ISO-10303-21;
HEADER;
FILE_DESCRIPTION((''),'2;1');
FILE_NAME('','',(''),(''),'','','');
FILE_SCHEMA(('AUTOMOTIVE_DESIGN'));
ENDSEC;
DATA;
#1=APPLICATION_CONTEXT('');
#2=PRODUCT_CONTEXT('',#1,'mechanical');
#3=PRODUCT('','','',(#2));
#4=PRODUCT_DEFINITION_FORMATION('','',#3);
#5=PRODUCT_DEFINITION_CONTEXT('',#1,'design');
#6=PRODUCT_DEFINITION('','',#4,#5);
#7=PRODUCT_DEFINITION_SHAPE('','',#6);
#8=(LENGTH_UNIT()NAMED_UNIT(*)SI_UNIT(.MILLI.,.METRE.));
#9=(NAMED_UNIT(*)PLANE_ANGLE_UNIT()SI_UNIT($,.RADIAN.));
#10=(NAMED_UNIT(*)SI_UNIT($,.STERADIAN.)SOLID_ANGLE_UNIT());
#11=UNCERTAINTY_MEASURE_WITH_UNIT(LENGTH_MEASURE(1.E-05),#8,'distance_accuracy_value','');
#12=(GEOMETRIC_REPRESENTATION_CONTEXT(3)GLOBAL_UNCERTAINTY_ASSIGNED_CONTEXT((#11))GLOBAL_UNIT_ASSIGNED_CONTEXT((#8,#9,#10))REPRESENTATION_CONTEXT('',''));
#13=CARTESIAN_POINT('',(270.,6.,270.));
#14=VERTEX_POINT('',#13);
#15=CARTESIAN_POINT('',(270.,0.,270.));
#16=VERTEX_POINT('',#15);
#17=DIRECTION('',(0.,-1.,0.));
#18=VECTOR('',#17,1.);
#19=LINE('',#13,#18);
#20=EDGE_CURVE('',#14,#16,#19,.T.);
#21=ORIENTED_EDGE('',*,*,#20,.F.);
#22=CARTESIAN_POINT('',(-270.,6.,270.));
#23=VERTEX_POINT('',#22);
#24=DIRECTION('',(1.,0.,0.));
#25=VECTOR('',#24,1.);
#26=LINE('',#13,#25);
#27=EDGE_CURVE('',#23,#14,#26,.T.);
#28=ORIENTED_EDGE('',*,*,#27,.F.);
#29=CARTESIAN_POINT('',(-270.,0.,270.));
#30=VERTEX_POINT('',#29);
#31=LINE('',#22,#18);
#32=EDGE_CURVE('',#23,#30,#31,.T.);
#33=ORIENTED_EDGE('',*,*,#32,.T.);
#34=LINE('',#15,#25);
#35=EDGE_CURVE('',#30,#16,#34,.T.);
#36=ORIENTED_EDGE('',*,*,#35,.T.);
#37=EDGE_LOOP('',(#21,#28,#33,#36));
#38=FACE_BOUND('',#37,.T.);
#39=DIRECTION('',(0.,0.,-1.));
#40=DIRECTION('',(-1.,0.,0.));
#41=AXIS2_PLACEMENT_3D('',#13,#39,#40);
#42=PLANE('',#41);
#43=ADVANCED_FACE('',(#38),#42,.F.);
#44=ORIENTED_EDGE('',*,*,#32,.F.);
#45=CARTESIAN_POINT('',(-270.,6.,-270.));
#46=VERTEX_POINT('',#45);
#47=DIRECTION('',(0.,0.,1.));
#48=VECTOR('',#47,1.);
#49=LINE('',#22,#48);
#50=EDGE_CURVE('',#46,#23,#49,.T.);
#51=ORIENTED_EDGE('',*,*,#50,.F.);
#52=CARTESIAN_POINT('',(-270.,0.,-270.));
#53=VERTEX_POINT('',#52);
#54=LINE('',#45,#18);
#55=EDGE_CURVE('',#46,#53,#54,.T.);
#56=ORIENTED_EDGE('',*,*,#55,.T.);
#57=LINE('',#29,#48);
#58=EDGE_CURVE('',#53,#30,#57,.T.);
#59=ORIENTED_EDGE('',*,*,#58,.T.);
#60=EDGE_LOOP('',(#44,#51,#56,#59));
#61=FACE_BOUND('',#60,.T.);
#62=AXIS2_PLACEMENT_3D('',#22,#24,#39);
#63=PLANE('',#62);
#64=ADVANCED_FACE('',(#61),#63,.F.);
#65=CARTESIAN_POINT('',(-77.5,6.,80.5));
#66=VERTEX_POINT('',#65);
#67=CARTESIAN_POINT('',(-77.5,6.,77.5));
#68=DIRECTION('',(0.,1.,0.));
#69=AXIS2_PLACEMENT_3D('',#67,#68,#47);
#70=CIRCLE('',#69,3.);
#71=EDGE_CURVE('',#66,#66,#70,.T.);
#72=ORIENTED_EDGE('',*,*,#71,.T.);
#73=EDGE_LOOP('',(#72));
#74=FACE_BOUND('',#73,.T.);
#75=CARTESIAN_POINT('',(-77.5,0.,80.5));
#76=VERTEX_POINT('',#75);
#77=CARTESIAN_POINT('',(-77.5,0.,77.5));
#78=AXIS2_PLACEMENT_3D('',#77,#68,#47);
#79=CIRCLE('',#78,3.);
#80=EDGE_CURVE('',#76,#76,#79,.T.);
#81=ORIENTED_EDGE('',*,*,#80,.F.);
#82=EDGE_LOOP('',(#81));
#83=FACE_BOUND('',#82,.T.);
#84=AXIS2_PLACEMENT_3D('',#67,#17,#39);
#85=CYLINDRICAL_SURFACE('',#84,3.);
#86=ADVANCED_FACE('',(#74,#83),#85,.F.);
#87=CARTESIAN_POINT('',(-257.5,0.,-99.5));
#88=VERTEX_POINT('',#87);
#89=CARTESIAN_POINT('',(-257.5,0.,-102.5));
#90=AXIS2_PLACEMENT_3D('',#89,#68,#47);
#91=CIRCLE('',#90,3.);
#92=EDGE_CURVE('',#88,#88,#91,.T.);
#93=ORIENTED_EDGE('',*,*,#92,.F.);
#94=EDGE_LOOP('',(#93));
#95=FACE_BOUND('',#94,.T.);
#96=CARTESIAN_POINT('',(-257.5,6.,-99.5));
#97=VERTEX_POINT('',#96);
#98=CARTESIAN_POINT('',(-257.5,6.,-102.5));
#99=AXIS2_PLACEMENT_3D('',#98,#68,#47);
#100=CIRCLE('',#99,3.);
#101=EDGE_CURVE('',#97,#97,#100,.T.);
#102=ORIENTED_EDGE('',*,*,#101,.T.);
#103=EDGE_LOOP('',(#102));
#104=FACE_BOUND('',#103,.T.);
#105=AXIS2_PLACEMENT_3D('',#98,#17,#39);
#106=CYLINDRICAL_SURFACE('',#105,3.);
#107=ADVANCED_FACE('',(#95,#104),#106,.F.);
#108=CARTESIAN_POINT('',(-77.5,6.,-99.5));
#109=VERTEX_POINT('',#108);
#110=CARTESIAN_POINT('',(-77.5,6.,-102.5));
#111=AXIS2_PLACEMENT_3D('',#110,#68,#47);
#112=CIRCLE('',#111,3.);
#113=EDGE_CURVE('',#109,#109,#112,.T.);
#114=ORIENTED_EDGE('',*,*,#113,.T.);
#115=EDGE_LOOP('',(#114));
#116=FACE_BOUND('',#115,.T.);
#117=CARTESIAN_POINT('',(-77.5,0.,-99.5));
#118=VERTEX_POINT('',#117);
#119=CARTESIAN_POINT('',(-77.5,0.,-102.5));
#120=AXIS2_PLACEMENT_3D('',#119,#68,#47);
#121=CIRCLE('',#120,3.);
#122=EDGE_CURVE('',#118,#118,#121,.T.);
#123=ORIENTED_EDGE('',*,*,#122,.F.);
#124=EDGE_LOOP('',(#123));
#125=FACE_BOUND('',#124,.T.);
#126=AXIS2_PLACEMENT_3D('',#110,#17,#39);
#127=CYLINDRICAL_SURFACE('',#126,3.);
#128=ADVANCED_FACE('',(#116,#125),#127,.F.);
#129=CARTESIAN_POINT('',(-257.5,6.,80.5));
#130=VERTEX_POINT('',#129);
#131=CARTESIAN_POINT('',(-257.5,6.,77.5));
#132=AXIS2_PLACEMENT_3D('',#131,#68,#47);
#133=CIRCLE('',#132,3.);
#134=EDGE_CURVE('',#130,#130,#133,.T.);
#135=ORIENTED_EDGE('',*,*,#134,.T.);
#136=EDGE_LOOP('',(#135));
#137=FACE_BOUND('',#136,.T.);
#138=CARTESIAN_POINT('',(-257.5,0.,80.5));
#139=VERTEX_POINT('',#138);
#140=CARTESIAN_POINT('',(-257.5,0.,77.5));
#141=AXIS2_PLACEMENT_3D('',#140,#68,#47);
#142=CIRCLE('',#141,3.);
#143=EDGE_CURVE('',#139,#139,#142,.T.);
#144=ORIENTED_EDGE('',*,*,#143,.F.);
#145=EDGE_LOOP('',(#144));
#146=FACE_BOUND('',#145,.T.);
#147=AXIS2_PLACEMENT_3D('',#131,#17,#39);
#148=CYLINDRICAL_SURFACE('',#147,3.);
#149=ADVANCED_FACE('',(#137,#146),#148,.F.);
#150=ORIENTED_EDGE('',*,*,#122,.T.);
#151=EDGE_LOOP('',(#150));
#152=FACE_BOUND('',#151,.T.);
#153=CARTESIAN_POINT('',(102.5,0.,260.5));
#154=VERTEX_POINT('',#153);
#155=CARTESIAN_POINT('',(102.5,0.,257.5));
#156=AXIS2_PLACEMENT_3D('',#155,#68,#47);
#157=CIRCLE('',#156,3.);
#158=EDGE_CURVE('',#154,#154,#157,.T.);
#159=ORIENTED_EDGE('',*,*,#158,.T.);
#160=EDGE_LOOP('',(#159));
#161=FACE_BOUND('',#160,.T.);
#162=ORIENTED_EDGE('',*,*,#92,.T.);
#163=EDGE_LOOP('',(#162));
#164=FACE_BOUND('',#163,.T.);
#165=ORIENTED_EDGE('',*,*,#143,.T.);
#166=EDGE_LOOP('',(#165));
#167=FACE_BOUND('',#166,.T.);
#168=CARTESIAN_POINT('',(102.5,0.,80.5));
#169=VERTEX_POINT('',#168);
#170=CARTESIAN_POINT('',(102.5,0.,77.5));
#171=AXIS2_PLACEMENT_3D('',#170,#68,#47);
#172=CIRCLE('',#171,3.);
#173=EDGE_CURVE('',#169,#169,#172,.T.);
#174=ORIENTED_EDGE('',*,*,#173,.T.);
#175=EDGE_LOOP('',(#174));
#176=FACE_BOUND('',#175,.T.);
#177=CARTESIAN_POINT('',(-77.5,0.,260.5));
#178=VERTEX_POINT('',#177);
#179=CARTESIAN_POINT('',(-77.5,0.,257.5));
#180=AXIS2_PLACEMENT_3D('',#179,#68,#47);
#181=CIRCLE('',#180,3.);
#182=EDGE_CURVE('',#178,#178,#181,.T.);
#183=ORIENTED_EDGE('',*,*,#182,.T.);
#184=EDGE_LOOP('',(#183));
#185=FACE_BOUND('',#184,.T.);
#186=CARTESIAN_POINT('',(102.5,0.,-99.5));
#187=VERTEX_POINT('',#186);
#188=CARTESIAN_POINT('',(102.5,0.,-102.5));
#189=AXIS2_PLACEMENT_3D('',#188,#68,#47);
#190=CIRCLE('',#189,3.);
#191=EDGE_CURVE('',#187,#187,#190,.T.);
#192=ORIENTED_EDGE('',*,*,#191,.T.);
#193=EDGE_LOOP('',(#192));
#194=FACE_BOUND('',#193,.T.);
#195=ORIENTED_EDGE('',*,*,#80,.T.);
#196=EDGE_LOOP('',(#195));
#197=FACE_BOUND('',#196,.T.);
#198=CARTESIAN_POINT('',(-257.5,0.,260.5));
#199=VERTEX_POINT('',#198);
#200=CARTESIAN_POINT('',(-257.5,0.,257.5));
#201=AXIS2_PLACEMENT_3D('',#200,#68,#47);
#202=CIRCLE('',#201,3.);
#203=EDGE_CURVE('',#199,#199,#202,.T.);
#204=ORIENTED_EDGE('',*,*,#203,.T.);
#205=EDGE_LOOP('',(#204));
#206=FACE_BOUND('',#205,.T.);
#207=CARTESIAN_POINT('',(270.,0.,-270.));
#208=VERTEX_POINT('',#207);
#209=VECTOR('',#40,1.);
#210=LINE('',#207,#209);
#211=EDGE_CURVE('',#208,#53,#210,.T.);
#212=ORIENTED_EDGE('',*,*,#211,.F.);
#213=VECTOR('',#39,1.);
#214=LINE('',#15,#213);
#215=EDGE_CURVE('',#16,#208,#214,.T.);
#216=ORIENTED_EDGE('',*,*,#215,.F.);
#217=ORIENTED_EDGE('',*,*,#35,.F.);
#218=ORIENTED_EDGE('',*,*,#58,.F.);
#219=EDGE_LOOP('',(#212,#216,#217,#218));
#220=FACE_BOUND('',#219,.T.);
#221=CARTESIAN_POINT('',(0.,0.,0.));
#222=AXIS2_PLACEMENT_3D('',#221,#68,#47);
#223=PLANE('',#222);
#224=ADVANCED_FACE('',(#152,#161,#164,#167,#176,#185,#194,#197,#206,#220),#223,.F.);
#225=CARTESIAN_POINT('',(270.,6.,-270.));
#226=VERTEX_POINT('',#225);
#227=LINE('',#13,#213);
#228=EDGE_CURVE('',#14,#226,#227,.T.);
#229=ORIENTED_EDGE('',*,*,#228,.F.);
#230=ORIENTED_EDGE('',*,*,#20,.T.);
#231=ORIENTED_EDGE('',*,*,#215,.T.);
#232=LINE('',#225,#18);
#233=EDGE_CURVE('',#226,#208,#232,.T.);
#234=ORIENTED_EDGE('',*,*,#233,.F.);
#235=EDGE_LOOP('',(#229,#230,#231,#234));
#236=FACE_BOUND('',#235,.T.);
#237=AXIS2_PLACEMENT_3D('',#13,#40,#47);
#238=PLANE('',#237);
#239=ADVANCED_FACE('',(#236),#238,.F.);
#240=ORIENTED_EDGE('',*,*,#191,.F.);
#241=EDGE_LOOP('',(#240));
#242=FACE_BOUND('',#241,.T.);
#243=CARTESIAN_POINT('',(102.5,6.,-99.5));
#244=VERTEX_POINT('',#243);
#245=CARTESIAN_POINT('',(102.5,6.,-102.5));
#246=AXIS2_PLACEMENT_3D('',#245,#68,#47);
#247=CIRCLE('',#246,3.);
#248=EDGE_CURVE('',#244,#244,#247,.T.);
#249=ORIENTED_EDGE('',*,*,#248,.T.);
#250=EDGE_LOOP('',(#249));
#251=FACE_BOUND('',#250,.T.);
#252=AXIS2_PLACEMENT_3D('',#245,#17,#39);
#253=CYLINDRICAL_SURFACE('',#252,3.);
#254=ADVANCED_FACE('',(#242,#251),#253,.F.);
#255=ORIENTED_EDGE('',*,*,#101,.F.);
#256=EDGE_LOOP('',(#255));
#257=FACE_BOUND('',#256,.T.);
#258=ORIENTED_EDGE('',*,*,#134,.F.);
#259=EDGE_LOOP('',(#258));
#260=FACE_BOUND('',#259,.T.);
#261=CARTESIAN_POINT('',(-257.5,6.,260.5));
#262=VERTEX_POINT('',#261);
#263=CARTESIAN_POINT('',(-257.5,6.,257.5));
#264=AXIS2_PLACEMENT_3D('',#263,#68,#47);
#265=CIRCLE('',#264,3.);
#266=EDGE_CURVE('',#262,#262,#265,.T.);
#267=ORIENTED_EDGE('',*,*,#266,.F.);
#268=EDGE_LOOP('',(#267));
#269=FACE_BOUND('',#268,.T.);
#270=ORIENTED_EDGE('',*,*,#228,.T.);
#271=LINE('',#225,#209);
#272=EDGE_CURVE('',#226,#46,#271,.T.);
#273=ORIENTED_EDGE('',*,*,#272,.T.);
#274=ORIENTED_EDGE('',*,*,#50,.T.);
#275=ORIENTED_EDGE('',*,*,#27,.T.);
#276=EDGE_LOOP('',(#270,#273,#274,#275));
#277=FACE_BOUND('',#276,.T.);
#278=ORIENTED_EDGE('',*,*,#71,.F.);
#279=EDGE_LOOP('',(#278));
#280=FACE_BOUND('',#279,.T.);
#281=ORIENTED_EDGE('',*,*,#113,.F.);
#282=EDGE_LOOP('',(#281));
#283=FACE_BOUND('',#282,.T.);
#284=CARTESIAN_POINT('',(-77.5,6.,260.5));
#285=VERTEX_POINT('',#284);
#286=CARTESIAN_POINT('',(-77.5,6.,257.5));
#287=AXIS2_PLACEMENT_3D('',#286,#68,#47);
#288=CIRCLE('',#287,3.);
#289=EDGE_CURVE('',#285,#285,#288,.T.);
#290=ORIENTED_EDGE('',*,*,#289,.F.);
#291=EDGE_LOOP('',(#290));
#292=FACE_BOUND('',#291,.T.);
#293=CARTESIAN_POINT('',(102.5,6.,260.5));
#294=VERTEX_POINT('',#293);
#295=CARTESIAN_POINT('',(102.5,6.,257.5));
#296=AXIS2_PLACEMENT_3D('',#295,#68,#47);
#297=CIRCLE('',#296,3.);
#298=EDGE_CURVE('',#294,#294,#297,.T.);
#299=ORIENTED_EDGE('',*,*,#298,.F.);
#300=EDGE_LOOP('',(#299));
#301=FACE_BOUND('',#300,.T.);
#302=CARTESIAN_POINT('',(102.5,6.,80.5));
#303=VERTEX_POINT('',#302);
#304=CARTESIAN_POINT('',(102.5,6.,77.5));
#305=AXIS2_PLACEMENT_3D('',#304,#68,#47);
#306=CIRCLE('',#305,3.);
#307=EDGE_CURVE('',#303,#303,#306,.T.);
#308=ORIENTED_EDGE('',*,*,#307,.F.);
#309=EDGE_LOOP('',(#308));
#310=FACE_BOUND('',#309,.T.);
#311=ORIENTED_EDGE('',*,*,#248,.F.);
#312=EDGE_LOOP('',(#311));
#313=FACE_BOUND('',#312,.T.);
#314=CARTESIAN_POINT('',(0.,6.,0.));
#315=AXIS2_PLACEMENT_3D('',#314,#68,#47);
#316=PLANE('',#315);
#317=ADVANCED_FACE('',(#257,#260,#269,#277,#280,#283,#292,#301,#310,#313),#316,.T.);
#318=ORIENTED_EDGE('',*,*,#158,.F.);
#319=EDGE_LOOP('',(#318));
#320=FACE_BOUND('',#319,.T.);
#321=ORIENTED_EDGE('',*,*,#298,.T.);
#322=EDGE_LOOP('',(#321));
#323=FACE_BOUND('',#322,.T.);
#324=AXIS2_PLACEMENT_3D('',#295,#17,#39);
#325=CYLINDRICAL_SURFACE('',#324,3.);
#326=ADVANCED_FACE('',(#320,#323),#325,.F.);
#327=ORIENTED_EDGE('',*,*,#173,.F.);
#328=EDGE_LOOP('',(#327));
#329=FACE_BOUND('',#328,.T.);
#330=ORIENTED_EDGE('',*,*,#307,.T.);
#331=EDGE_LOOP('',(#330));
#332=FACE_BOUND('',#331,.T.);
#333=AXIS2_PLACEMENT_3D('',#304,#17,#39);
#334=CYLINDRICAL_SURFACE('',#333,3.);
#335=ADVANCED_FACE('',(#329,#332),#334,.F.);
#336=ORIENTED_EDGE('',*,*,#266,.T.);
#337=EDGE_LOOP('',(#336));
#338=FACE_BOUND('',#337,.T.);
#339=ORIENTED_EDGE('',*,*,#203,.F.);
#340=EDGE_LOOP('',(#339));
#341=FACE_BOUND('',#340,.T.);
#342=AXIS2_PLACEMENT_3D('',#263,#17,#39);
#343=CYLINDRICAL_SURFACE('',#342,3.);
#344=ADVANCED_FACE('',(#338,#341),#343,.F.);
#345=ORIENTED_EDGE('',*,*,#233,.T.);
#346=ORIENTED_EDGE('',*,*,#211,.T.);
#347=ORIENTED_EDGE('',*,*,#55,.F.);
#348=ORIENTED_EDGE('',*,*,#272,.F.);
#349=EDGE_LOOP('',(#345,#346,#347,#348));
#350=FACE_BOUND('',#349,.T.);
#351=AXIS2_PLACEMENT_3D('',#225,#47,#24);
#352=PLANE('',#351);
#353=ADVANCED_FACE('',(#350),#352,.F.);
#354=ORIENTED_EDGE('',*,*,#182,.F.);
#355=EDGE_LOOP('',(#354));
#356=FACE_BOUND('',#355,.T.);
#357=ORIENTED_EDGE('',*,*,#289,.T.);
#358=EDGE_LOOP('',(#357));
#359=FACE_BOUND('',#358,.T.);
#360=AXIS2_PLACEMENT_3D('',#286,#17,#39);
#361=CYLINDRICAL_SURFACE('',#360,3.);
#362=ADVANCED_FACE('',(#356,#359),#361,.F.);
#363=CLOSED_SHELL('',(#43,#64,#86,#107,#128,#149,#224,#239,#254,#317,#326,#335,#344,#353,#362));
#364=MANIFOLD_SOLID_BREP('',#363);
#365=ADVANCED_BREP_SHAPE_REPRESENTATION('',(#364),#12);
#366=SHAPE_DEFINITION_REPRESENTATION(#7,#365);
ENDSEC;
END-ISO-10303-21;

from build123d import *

# Parameters (mm, degrees)
SKETCH1_W           = 540
SKETCH1_H           = 540
SKETCH1_R           = 3
BOSS_EXTRUDE1_DEPTH = 6


with BuildPart() as part:
    # Sketch1 → Boss-Extrude1 (new body)
    with BuildSketch(Plane(origin=(0, 0, 0), x_dir=(1, 0, 0), z_dir=(0, 1, 0))):
        Rectangle(SKETCH1_W, SKETCH1_H)
        with Locations(Location((-257.5, -257.5, 0), (0, 0, 270))):
            Circle(SKETCH1_R, mode=Mode.SUBTRACT)
        with Locations(Location((-77.5, -257.5, 0), (0, 0, 270))):
            Circle(SKETCH1_R, mode=Mode.SUBTRACT)
        with Locations(Location((102.5, -257.5, 0), (0, 0, 270))):
            Circle(SKETCH1_R, mode=Mode.SUBTRACT)
        with Locations(Location((-77.5, -77.5, 0), (0, 0, 270))):
            Circle(SKETCH1_R, mode=Mode.SUBTRACT)
        with Locations(Location((102.5, -77.5, 0), (0, 0, 270))):
            Circle(SKETCH1_R, mode=Mode.SUBTRACT)
        with Locations(Location((-77.5, 102.5, 0), (0, 0, 270))):
            Circle(SKETCH1_R, mode=Mode.SUBTRACT)
        with Locations(Location((102.5, 102.5, 0), (0, 0, 270))):
            Circle(SKETCH1_R, mode=Mode.SUBTRACT)
        with Locations(Location((-257.5, -77.5, 0), (0, 0, 270))):
            Circle(SKETCH1_R, mode=Mode.SUBTRACT)
        with Locations(Location((-257.5, 102.5, 0), (0, 0, 270))):
            Circle(SKETCH1_R, mode=Mode.SUBTRACT)
    extrude(amount=BOSS_EXTRUDE1_DEPTH)


solid = part.part
